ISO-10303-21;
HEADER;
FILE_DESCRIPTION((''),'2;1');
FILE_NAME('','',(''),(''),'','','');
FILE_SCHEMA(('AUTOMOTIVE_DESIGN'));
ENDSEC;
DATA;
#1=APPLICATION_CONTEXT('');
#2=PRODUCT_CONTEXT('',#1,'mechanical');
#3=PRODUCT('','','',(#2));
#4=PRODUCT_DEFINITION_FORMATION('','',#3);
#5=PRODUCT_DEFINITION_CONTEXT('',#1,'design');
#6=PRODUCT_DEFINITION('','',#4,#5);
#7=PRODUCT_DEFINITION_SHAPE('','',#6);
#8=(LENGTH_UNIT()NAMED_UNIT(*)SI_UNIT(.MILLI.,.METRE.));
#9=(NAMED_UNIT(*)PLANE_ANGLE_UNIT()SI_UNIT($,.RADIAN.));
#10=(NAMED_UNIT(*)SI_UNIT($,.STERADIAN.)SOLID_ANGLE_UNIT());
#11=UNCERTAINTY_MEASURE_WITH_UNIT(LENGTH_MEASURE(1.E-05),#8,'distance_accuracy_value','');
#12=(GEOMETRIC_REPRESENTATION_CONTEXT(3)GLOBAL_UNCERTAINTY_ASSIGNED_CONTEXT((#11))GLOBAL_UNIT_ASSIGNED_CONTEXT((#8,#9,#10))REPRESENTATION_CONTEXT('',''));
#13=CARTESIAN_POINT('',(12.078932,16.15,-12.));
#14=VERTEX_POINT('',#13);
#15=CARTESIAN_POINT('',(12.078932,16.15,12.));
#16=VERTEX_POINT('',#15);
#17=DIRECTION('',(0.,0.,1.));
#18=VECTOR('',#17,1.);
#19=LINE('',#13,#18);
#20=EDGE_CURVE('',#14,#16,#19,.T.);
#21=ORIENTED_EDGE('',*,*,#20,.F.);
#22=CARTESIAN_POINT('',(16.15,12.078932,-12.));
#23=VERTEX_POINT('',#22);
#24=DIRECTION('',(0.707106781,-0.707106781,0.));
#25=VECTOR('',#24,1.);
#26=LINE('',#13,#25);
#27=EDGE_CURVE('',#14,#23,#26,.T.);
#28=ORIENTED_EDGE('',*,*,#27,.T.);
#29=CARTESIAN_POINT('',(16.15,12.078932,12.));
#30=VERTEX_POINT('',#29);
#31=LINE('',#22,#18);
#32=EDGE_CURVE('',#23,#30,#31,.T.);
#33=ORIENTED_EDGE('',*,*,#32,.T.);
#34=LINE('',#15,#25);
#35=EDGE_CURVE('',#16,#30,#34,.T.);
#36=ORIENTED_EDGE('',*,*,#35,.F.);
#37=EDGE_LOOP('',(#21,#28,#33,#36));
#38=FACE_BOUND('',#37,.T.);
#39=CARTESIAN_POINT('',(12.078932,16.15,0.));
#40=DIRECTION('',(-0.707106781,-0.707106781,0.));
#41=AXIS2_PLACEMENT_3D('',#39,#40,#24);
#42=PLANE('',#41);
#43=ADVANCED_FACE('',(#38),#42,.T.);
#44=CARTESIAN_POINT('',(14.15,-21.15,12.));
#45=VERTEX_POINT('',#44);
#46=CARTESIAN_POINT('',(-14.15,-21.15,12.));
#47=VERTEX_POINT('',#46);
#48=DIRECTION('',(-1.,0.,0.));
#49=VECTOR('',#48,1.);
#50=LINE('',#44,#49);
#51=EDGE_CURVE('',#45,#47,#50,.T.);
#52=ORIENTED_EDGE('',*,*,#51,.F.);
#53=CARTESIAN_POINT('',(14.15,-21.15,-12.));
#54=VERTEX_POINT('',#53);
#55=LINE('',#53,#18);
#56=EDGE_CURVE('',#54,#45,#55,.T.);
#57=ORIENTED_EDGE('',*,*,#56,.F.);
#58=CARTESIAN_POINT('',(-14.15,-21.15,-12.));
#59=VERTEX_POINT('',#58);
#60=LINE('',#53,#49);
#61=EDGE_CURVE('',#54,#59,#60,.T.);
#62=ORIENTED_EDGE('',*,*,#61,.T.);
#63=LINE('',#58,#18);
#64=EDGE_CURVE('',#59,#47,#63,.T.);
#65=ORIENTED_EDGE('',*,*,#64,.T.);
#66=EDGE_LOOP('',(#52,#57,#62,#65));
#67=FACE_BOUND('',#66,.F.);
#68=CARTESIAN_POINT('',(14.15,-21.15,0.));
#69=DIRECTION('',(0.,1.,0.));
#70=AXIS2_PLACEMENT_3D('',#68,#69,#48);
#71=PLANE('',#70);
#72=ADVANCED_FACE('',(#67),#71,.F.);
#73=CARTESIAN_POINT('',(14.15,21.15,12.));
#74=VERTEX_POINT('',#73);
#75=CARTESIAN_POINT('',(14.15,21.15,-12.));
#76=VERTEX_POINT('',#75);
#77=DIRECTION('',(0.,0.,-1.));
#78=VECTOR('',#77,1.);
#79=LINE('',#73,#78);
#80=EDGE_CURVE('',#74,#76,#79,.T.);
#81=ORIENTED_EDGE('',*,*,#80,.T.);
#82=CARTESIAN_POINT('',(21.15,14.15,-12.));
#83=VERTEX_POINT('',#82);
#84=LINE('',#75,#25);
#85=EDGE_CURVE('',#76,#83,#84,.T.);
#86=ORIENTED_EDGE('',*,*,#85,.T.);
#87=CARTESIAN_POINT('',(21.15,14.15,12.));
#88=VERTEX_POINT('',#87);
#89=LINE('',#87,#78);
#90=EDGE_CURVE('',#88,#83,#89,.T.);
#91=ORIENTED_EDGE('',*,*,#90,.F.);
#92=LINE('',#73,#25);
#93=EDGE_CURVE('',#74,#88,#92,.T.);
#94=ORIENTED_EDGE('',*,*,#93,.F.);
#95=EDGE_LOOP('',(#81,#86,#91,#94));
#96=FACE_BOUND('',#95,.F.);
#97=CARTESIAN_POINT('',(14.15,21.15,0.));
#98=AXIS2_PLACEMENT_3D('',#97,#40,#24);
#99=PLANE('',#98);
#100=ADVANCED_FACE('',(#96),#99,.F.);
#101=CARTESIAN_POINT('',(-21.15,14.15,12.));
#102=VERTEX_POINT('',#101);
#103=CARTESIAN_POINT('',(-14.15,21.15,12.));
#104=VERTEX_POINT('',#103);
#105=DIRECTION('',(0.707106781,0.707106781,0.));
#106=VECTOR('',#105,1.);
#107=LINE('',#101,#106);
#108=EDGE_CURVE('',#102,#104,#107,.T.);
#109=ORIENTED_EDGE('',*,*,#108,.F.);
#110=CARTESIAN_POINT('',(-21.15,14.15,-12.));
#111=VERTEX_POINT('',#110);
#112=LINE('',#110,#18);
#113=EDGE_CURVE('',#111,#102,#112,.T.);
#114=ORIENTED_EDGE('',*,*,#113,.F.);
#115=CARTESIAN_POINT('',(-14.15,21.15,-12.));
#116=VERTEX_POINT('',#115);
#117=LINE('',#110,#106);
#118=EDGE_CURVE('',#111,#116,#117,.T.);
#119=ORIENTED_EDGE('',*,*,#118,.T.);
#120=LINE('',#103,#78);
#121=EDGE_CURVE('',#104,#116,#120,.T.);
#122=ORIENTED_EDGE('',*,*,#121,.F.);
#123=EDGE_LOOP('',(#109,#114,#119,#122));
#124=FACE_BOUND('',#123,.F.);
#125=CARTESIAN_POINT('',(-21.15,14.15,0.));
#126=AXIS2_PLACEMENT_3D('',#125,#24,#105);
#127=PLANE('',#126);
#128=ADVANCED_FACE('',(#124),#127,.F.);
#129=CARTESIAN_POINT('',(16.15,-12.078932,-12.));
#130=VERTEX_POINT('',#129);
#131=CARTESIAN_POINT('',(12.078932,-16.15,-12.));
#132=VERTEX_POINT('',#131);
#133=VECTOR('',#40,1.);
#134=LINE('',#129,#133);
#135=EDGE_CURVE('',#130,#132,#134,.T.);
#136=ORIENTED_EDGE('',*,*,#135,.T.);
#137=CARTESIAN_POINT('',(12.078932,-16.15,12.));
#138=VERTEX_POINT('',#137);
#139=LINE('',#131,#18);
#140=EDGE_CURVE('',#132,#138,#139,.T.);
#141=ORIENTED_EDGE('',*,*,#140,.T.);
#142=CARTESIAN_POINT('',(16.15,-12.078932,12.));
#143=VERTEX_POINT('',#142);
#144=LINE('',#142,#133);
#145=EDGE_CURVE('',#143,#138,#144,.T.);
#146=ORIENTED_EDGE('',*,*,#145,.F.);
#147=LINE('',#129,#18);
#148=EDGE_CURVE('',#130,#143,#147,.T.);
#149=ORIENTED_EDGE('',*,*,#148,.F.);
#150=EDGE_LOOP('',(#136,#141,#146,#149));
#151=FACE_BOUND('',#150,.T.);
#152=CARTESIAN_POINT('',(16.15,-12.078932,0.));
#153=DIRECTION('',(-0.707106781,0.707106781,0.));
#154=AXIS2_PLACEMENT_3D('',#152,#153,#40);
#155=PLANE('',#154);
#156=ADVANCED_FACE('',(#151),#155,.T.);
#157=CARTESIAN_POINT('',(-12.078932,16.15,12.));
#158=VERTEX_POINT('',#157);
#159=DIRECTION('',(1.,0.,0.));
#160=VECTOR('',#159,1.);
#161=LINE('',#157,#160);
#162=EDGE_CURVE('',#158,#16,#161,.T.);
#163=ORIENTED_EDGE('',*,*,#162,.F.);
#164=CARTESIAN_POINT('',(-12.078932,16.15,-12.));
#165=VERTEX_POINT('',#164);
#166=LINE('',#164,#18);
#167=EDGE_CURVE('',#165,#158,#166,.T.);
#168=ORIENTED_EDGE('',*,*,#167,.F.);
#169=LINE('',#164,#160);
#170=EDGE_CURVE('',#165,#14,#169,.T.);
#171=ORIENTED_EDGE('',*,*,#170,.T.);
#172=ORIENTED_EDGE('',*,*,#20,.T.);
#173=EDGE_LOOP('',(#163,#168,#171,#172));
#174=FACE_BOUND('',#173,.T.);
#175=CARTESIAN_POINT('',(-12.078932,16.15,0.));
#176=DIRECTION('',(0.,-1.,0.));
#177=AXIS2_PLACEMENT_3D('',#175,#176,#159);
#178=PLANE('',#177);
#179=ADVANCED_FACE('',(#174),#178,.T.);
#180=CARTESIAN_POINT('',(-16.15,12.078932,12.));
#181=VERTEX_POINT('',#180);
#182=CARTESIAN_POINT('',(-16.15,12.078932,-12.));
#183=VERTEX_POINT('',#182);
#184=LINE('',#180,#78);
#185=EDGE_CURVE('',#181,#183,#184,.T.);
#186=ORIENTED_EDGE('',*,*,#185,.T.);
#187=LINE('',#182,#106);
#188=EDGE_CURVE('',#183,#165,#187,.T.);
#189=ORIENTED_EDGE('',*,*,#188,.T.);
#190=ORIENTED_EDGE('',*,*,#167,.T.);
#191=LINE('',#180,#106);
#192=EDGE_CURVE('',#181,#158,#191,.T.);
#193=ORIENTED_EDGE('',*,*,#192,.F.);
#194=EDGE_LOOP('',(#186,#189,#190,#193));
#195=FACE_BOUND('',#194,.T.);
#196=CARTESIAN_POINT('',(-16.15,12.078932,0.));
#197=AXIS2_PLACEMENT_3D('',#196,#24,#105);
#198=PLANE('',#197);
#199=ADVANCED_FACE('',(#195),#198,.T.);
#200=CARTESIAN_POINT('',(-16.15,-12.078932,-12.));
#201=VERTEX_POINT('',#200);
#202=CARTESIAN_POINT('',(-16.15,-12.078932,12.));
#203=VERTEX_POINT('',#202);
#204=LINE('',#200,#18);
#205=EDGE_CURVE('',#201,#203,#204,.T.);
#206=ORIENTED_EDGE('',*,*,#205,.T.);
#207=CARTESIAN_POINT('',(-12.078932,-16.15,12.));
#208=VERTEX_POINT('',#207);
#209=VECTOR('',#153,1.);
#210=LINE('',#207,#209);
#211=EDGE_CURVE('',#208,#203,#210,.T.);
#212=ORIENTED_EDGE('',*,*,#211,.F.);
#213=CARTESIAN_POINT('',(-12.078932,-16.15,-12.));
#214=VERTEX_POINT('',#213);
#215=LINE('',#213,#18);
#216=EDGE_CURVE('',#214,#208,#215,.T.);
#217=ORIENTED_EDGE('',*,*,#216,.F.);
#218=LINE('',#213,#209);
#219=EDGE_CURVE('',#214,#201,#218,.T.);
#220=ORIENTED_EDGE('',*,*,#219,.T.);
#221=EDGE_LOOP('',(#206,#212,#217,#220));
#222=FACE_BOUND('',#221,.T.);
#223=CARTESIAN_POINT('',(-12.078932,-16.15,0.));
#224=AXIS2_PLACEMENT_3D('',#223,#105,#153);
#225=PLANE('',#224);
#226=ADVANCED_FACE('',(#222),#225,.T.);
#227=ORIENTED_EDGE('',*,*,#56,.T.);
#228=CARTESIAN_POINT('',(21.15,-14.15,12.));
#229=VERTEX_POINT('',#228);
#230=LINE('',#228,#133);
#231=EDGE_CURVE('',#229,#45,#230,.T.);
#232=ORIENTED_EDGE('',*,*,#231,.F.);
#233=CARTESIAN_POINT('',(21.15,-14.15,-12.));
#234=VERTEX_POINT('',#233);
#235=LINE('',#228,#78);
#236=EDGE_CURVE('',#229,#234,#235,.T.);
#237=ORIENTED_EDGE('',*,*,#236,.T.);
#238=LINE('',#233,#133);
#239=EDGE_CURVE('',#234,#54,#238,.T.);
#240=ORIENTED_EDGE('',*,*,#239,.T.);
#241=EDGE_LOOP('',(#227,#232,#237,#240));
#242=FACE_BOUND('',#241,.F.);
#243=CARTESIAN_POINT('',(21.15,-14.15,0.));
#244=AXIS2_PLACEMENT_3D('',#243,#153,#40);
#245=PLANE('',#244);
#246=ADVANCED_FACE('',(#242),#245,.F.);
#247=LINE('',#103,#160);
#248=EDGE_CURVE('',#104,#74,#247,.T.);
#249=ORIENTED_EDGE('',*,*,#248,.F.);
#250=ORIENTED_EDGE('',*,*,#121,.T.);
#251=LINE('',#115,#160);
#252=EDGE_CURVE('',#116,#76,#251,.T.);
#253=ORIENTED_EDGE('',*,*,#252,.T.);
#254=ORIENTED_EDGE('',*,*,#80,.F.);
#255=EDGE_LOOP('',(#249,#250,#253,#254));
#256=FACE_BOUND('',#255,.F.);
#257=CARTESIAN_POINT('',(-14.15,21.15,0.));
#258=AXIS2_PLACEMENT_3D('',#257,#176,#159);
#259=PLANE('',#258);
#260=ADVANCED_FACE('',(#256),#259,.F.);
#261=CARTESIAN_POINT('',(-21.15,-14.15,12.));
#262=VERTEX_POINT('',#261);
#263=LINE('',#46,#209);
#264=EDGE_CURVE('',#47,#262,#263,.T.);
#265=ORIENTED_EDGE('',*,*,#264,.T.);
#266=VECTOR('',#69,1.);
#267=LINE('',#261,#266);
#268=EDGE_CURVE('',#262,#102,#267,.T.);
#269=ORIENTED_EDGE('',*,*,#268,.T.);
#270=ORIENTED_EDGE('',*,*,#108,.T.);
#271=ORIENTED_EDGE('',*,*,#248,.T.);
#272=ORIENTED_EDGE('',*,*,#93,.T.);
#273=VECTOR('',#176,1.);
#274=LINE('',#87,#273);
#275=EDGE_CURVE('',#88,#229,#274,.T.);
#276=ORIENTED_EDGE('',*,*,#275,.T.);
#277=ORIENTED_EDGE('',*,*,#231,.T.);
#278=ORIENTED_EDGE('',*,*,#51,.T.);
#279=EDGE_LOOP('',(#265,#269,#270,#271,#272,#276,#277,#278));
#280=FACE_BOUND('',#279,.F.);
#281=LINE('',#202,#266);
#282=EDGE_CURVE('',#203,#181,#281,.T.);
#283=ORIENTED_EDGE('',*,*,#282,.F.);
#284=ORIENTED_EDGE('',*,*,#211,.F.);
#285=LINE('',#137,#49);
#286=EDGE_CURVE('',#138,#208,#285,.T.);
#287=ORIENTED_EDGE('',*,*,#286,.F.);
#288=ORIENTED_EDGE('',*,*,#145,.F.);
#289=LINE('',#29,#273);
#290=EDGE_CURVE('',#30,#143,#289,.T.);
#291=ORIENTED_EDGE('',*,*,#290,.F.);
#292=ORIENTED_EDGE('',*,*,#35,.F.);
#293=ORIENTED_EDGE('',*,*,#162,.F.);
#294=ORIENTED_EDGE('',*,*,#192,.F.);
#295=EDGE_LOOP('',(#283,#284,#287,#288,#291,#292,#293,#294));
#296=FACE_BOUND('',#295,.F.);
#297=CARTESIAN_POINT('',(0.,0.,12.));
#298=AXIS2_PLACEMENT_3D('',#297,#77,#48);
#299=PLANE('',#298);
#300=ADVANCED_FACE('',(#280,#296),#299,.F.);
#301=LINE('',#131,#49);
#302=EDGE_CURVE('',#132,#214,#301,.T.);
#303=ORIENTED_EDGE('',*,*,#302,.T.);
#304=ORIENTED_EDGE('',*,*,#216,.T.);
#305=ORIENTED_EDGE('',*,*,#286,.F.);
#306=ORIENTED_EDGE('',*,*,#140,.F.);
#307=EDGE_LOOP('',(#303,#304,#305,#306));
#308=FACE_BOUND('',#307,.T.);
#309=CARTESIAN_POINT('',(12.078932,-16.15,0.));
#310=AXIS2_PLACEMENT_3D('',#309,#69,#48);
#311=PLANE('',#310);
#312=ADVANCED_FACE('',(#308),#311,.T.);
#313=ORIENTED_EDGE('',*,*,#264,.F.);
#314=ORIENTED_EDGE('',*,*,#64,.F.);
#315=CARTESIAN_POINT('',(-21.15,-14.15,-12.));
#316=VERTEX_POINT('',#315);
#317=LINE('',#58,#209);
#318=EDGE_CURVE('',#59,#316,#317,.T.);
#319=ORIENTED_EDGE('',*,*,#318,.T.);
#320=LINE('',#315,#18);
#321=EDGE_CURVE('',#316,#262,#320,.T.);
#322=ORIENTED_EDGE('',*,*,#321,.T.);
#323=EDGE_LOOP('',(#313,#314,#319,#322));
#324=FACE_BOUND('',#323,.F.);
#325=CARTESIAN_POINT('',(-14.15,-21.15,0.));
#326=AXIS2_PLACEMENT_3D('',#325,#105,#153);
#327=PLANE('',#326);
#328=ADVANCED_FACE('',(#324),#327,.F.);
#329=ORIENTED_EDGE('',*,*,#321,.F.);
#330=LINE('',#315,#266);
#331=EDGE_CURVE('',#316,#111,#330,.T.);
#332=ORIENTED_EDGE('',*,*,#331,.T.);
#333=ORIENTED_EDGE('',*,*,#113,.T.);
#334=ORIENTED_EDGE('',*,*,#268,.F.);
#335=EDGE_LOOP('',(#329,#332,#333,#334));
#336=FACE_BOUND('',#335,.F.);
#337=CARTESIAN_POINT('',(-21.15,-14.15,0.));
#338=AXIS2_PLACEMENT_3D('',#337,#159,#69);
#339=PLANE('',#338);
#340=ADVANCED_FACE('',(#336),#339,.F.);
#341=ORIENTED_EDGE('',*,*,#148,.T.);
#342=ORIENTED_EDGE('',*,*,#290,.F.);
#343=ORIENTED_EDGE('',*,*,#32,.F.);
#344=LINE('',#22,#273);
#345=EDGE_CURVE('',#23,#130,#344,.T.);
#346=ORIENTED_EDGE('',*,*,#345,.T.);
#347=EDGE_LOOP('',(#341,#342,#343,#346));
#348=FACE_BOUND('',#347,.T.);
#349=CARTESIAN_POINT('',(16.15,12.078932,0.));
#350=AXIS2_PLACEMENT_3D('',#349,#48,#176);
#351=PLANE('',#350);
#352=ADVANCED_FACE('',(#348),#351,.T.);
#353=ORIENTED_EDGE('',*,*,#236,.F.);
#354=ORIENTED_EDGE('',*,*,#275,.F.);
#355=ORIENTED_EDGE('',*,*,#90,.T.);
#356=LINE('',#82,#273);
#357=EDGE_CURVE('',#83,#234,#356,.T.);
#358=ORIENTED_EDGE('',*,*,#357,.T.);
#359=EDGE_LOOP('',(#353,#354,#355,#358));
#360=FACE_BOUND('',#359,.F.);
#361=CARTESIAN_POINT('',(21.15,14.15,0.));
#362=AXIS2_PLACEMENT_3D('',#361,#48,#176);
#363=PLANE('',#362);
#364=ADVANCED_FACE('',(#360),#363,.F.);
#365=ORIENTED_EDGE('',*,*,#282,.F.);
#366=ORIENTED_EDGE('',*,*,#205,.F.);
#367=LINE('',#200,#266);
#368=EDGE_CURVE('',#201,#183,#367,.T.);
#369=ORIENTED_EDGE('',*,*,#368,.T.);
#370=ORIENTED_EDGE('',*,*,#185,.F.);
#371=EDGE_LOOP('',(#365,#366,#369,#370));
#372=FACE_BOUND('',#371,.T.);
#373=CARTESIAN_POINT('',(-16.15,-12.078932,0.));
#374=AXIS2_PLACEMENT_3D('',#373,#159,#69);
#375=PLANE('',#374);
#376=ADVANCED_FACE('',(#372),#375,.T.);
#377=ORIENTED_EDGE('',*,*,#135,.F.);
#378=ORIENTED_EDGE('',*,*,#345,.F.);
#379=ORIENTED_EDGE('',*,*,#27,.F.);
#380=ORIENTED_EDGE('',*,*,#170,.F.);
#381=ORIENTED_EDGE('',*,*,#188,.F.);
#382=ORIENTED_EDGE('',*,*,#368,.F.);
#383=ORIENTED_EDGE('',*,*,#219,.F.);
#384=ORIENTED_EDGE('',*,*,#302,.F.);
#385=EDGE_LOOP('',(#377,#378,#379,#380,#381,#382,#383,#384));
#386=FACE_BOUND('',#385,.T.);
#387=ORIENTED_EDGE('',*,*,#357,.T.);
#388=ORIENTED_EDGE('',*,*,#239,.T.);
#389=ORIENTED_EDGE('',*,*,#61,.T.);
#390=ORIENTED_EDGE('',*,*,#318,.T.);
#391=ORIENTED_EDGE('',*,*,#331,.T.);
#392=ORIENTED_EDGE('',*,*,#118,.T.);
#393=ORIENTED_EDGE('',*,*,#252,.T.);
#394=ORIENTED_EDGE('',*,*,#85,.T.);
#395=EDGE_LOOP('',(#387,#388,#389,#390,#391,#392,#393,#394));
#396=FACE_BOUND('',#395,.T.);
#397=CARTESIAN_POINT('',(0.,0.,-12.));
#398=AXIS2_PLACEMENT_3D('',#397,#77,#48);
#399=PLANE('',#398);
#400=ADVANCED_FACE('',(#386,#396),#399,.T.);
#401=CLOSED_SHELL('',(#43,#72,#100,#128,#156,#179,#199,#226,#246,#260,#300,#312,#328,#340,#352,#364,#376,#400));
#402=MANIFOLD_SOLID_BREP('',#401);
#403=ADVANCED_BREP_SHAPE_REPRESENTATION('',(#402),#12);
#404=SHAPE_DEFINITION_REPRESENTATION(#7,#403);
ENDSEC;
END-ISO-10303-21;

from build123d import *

# Parameters (mm, degrees)
BOSS_EXTRUDE1_DEPTH = 12


with BuildPart() as part:
    # Sketch1 → Boss-Extrude1 (new body, symmetric)
    with BuildSketch(Plane.XY):
        Polygon((-21.15, 14.15), (-14.15, 21.15), (14.15, 21.15), (21.15, 14.15), (21.15, -14.15), (14.15, -21.15), (-14.15, -21.15), (-21.15, -14.15), align=None)
        Polygon((-16.15, 12.078932188), (-12.078932188, 16.15), (12.078932188, 16.15), (16.15, 12.078932188), (16.15, -12.078932188), (12.078932188, -16.15), (-12.078932188, -16.15), (-16.15, -12.078932188), align=None, mode=Mode.SUBTRACT)
    extrude(amount=BOSS_EXTRUDE1_DEPTH, both=True)


solid = part.part
